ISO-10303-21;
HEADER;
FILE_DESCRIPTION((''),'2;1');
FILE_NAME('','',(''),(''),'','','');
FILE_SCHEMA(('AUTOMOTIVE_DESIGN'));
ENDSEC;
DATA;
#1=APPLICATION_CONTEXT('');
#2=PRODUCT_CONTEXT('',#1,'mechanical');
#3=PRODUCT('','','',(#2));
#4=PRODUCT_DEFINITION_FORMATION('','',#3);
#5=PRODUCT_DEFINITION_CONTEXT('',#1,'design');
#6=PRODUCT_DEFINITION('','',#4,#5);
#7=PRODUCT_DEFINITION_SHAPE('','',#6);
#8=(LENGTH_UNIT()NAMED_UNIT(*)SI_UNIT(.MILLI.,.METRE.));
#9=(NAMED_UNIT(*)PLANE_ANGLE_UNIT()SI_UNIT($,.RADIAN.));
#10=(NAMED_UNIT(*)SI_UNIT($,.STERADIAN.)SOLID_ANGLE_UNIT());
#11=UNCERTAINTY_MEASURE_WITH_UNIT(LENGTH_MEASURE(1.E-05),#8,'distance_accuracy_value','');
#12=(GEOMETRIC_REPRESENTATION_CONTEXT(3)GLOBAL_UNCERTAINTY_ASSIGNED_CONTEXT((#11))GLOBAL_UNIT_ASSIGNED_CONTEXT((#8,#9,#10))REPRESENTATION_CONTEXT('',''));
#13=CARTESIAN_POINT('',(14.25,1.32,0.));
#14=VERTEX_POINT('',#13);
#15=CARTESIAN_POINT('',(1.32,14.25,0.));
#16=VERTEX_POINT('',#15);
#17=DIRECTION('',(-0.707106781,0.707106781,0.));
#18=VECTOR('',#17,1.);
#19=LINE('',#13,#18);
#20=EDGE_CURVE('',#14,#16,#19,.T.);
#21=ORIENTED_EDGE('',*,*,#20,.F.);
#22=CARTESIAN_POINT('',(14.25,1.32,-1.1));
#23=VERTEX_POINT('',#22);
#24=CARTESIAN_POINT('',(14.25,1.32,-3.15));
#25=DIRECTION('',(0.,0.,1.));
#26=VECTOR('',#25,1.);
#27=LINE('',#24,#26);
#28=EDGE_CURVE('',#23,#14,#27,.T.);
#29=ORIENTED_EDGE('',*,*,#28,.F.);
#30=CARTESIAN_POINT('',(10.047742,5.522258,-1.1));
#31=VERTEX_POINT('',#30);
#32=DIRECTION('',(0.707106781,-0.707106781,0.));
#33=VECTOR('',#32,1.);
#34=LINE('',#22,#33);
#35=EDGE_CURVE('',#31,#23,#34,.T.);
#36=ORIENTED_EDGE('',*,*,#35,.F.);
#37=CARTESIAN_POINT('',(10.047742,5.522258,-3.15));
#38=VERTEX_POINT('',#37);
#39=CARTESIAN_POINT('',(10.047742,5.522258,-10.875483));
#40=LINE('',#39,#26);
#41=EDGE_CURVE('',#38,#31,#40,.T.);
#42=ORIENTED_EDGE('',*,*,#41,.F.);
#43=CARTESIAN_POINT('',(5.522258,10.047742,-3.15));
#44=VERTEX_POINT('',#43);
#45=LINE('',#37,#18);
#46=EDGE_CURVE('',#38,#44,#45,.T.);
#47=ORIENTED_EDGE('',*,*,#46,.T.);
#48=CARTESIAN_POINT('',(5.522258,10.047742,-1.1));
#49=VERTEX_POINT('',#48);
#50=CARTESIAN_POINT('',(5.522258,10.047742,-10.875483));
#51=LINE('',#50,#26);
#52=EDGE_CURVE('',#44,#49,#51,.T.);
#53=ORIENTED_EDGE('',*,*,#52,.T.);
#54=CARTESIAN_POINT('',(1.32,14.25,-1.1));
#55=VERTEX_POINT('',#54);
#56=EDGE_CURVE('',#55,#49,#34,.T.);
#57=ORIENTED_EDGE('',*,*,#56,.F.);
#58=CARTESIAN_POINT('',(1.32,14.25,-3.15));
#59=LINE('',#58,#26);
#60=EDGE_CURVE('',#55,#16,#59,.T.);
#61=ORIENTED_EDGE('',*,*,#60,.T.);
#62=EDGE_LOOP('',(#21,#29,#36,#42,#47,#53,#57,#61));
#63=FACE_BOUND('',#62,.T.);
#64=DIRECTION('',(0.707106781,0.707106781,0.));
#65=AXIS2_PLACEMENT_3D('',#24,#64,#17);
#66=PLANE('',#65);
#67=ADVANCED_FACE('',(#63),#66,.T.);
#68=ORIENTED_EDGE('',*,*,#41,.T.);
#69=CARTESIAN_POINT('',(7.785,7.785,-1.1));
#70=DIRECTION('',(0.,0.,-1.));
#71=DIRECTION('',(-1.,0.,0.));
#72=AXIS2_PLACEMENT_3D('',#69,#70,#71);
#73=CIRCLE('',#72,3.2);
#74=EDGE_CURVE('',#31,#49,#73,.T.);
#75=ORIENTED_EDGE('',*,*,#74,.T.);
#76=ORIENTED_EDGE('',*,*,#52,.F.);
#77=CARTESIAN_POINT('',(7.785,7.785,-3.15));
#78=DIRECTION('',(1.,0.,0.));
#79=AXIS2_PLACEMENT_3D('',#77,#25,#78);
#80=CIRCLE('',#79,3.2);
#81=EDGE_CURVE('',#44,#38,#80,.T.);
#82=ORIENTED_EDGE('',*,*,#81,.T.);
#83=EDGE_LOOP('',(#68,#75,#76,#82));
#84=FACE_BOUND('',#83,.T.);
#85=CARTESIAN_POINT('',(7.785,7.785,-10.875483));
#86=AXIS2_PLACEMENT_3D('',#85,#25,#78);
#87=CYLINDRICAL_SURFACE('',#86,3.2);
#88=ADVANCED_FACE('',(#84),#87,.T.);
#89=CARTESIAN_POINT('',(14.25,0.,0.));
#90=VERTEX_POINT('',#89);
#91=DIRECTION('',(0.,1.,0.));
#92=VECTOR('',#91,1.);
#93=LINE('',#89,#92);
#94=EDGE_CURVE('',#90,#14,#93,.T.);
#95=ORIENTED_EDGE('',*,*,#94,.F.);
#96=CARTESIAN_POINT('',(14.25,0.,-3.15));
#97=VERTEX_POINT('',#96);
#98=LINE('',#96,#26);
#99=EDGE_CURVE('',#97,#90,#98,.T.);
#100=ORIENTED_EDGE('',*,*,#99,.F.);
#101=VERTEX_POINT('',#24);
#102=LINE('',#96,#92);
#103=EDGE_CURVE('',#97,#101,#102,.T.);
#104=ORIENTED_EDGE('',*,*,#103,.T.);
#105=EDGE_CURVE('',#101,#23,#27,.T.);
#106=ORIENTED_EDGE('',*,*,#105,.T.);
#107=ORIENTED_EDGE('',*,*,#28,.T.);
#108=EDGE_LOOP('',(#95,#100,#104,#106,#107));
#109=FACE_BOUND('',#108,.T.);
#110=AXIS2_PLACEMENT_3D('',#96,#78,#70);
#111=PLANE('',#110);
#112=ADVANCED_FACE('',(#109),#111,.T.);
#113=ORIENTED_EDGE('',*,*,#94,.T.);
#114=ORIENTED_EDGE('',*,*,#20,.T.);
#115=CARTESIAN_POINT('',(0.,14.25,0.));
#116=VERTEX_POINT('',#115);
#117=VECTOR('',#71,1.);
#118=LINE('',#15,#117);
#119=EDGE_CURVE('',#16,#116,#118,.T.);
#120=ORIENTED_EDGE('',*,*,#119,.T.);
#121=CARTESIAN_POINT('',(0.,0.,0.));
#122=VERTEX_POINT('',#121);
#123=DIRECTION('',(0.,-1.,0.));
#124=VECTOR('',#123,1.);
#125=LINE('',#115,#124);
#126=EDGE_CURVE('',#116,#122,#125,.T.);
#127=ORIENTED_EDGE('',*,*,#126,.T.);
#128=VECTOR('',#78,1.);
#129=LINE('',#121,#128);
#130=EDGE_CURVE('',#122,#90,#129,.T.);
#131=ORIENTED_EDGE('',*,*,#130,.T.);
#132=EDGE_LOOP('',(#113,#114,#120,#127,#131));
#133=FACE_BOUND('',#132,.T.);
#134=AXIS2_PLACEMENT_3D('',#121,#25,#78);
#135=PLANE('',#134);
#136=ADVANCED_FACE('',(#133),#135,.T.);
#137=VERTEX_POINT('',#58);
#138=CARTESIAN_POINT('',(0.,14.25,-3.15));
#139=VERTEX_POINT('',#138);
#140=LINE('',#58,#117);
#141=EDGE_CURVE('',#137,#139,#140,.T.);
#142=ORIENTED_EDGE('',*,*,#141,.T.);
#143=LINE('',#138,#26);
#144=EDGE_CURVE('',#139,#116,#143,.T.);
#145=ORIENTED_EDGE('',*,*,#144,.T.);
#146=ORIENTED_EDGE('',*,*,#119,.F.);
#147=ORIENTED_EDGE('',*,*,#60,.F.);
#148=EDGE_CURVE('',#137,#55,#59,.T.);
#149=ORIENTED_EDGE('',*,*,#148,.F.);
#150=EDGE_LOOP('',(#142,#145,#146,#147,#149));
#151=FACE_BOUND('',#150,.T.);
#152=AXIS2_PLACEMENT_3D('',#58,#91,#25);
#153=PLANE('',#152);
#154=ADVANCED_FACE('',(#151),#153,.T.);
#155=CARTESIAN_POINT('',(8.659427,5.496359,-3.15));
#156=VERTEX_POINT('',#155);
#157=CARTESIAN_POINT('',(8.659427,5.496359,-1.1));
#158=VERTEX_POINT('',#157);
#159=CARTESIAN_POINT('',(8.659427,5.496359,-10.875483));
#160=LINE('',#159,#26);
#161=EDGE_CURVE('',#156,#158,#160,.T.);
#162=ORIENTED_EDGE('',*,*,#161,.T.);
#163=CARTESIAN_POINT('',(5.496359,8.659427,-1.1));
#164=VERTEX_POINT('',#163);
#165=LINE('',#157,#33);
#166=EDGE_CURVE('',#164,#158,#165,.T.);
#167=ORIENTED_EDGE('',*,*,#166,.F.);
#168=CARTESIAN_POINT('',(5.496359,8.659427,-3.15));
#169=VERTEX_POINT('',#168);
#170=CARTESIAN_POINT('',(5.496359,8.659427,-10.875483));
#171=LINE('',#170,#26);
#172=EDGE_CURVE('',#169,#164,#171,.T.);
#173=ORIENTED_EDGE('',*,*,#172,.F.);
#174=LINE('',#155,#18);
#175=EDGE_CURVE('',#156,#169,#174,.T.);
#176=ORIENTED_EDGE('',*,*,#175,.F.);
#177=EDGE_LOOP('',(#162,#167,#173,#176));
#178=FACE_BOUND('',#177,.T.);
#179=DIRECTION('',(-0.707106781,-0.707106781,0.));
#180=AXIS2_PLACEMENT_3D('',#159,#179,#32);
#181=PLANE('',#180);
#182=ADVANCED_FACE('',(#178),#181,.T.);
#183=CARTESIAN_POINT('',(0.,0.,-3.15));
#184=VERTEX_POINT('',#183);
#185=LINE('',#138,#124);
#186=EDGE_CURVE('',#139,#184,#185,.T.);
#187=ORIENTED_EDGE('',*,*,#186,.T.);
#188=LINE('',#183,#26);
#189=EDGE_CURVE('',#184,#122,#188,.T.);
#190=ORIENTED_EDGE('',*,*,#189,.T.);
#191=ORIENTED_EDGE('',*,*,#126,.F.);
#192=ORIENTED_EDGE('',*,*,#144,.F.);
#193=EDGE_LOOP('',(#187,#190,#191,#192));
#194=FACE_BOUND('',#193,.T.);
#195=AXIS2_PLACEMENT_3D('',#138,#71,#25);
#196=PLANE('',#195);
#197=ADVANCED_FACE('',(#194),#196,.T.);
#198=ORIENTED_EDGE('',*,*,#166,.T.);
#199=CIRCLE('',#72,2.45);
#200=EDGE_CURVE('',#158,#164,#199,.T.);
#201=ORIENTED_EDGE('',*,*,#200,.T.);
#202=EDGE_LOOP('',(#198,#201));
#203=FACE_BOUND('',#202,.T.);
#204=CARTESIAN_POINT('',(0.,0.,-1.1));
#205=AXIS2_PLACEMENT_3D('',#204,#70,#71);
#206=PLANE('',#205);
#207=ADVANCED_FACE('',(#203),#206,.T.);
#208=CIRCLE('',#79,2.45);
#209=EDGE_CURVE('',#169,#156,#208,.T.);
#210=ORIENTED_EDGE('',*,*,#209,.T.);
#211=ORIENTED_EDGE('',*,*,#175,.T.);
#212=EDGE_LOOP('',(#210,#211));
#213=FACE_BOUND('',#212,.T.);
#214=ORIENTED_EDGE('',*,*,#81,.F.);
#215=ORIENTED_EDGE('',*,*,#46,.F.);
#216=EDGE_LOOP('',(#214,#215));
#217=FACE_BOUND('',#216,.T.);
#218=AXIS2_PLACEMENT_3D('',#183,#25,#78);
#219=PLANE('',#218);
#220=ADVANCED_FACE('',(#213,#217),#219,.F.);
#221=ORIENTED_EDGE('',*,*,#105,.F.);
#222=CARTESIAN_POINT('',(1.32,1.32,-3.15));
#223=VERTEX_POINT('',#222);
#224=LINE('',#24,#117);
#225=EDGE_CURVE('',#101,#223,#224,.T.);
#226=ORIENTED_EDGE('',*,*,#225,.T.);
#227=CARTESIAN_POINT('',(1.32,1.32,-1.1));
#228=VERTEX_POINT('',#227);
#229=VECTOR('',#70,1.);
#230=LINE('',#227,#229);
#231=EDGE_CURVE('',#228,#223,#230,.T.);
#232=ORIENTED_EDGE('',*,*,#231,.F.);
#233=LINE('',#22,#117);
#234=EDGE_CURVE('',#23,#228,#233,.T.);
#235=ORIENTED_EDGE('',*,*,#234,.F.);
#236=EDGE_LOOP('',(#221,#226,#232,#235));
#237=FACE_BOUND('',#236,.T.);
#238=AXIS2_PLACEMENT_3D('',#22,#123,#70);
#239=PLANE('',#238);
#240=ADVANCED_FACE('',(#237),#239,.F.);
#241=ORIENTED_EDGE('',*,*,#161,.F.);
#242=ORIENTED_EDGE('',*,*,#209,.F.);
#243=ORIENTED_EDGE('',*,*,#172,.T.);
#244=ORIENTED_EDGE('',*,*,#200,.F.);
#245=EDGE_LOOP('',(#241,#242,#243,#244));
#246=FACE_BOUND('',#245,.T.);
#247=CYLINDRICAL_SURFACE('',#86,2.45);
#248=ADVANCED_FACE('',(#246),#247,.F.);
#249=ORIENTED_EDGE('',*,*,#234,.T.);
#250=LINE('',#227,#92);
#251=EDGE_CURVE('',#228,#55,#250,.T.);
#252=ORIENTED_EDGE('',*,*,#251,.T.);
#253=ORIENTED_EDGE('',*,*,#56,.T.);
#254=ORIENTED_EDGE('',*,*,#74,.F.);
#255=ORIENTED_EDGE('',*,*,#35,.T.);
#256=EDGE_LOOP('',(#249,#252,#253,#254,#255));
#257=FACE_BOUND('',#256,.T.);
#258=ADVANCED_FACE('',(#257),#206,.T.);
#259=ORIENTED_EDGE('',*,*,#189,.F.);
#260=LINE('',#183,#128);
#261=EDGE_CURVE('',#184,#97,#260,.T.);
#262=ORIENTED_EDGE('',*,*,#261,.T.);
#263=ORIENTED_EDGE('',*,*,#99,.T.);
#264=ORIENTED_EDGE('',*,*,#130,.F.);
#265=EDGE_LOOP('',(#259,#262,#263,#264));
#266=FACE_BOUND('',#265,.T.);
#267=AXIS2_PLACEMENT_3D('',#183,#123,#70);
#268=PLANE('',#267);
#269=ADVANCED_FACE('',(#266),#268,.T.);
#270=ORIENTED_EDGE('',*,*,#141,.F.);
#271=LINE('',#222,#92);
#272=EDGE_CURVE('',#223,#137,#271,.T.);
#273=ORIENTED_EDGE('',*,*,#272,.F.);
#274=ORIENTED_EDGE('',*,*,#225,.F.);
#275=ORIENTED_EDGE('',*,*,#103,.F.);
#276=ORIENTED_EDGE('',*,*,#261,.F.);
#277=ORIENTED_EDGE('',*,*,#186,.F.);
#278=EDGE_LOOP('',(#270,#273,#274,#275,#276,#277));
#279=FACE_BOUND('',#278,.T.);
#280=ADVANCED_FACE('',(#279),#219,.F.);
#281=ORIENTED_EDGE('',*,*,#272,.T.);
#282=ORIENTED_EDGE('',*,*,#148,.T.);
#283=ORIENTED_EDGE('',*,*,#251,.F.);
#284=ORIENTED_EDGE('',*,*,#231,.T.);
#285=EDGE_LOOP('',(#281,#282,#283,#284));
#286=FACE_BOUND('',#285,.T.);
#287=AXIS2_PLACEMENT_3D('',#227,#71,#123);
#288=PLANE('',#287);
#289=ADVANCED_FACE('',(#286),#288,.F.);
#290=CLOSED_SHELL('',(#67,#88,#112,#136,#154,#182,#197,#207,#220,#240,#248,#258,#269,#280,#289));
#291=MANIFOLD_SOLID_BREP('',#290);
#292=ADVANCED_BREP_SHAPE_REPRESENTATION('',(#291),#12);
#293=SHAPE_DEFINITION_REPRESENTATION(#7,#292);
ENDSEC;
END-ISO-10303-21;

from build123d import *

# Parameters (mm, degrees)
BOSS_EXTRUDE1_DEPTH = 3.15
CUT_EXTRUDE1_DEPTH  = 2.05
BOSS_EXTRUDE2_DEPTH = 2.05


with BuildPart() as part:
    # Sketch1 → Boss-Extrude1 (new body)
    with BuildSketch(Plane.XY):
        Polygon((0, 0), (14.25, 0), (14.25, 1.32), (1.32, 14.25), (0, 14.25), align=None)
    extrude(amount=-BOSS_EXTRUDE1_DEPTH)

    # Sketch2 → Cut-Extrude1 (cut)
    with BuildSketch(Plane(origin=(0, 0, -3.15), x_dir=(-1, 0, 0), z_dir=(0, 0, -1))):
        Polygon((-14.25, 1.32), (-1.32, 1.32), (-1.32, 14.25), align=None)
    extrude(amount=-CUT_EXTRUDE1_DEPTH, mode=Mode.SUBTRACT)

    # Sketch3 → Boss-Extrude2 (add)
    with BuildSketch(Plane(origin=(0, 0, -1.1), x_dir=(-1, 0, 0), z_dir=(0, 0, -1))):
        with BuildLine():
            Line((-10.0477417, 5.5222583), (-5.5222583, 10.0477417))
            ThreePointArc((-5.5222583, 10.0477417), (-5.5222583, 5.5222583), (-10.0477417, 5.5222583))
        make_face()
        with BuildLine():
            Line((-8.659427284, 5.496359153), (-5.496359153, 8.659427284))
            ThreePointArc((-5.496359153, 8.659427284), (-6.052588386, 6.052588386), (-8.659427284, 5.496359153))
        make_face(mode=Mode.SUBTRACT)
    extrude(amount=BOSS_EXTRUDE2_DEPTH)


solid = part.part
